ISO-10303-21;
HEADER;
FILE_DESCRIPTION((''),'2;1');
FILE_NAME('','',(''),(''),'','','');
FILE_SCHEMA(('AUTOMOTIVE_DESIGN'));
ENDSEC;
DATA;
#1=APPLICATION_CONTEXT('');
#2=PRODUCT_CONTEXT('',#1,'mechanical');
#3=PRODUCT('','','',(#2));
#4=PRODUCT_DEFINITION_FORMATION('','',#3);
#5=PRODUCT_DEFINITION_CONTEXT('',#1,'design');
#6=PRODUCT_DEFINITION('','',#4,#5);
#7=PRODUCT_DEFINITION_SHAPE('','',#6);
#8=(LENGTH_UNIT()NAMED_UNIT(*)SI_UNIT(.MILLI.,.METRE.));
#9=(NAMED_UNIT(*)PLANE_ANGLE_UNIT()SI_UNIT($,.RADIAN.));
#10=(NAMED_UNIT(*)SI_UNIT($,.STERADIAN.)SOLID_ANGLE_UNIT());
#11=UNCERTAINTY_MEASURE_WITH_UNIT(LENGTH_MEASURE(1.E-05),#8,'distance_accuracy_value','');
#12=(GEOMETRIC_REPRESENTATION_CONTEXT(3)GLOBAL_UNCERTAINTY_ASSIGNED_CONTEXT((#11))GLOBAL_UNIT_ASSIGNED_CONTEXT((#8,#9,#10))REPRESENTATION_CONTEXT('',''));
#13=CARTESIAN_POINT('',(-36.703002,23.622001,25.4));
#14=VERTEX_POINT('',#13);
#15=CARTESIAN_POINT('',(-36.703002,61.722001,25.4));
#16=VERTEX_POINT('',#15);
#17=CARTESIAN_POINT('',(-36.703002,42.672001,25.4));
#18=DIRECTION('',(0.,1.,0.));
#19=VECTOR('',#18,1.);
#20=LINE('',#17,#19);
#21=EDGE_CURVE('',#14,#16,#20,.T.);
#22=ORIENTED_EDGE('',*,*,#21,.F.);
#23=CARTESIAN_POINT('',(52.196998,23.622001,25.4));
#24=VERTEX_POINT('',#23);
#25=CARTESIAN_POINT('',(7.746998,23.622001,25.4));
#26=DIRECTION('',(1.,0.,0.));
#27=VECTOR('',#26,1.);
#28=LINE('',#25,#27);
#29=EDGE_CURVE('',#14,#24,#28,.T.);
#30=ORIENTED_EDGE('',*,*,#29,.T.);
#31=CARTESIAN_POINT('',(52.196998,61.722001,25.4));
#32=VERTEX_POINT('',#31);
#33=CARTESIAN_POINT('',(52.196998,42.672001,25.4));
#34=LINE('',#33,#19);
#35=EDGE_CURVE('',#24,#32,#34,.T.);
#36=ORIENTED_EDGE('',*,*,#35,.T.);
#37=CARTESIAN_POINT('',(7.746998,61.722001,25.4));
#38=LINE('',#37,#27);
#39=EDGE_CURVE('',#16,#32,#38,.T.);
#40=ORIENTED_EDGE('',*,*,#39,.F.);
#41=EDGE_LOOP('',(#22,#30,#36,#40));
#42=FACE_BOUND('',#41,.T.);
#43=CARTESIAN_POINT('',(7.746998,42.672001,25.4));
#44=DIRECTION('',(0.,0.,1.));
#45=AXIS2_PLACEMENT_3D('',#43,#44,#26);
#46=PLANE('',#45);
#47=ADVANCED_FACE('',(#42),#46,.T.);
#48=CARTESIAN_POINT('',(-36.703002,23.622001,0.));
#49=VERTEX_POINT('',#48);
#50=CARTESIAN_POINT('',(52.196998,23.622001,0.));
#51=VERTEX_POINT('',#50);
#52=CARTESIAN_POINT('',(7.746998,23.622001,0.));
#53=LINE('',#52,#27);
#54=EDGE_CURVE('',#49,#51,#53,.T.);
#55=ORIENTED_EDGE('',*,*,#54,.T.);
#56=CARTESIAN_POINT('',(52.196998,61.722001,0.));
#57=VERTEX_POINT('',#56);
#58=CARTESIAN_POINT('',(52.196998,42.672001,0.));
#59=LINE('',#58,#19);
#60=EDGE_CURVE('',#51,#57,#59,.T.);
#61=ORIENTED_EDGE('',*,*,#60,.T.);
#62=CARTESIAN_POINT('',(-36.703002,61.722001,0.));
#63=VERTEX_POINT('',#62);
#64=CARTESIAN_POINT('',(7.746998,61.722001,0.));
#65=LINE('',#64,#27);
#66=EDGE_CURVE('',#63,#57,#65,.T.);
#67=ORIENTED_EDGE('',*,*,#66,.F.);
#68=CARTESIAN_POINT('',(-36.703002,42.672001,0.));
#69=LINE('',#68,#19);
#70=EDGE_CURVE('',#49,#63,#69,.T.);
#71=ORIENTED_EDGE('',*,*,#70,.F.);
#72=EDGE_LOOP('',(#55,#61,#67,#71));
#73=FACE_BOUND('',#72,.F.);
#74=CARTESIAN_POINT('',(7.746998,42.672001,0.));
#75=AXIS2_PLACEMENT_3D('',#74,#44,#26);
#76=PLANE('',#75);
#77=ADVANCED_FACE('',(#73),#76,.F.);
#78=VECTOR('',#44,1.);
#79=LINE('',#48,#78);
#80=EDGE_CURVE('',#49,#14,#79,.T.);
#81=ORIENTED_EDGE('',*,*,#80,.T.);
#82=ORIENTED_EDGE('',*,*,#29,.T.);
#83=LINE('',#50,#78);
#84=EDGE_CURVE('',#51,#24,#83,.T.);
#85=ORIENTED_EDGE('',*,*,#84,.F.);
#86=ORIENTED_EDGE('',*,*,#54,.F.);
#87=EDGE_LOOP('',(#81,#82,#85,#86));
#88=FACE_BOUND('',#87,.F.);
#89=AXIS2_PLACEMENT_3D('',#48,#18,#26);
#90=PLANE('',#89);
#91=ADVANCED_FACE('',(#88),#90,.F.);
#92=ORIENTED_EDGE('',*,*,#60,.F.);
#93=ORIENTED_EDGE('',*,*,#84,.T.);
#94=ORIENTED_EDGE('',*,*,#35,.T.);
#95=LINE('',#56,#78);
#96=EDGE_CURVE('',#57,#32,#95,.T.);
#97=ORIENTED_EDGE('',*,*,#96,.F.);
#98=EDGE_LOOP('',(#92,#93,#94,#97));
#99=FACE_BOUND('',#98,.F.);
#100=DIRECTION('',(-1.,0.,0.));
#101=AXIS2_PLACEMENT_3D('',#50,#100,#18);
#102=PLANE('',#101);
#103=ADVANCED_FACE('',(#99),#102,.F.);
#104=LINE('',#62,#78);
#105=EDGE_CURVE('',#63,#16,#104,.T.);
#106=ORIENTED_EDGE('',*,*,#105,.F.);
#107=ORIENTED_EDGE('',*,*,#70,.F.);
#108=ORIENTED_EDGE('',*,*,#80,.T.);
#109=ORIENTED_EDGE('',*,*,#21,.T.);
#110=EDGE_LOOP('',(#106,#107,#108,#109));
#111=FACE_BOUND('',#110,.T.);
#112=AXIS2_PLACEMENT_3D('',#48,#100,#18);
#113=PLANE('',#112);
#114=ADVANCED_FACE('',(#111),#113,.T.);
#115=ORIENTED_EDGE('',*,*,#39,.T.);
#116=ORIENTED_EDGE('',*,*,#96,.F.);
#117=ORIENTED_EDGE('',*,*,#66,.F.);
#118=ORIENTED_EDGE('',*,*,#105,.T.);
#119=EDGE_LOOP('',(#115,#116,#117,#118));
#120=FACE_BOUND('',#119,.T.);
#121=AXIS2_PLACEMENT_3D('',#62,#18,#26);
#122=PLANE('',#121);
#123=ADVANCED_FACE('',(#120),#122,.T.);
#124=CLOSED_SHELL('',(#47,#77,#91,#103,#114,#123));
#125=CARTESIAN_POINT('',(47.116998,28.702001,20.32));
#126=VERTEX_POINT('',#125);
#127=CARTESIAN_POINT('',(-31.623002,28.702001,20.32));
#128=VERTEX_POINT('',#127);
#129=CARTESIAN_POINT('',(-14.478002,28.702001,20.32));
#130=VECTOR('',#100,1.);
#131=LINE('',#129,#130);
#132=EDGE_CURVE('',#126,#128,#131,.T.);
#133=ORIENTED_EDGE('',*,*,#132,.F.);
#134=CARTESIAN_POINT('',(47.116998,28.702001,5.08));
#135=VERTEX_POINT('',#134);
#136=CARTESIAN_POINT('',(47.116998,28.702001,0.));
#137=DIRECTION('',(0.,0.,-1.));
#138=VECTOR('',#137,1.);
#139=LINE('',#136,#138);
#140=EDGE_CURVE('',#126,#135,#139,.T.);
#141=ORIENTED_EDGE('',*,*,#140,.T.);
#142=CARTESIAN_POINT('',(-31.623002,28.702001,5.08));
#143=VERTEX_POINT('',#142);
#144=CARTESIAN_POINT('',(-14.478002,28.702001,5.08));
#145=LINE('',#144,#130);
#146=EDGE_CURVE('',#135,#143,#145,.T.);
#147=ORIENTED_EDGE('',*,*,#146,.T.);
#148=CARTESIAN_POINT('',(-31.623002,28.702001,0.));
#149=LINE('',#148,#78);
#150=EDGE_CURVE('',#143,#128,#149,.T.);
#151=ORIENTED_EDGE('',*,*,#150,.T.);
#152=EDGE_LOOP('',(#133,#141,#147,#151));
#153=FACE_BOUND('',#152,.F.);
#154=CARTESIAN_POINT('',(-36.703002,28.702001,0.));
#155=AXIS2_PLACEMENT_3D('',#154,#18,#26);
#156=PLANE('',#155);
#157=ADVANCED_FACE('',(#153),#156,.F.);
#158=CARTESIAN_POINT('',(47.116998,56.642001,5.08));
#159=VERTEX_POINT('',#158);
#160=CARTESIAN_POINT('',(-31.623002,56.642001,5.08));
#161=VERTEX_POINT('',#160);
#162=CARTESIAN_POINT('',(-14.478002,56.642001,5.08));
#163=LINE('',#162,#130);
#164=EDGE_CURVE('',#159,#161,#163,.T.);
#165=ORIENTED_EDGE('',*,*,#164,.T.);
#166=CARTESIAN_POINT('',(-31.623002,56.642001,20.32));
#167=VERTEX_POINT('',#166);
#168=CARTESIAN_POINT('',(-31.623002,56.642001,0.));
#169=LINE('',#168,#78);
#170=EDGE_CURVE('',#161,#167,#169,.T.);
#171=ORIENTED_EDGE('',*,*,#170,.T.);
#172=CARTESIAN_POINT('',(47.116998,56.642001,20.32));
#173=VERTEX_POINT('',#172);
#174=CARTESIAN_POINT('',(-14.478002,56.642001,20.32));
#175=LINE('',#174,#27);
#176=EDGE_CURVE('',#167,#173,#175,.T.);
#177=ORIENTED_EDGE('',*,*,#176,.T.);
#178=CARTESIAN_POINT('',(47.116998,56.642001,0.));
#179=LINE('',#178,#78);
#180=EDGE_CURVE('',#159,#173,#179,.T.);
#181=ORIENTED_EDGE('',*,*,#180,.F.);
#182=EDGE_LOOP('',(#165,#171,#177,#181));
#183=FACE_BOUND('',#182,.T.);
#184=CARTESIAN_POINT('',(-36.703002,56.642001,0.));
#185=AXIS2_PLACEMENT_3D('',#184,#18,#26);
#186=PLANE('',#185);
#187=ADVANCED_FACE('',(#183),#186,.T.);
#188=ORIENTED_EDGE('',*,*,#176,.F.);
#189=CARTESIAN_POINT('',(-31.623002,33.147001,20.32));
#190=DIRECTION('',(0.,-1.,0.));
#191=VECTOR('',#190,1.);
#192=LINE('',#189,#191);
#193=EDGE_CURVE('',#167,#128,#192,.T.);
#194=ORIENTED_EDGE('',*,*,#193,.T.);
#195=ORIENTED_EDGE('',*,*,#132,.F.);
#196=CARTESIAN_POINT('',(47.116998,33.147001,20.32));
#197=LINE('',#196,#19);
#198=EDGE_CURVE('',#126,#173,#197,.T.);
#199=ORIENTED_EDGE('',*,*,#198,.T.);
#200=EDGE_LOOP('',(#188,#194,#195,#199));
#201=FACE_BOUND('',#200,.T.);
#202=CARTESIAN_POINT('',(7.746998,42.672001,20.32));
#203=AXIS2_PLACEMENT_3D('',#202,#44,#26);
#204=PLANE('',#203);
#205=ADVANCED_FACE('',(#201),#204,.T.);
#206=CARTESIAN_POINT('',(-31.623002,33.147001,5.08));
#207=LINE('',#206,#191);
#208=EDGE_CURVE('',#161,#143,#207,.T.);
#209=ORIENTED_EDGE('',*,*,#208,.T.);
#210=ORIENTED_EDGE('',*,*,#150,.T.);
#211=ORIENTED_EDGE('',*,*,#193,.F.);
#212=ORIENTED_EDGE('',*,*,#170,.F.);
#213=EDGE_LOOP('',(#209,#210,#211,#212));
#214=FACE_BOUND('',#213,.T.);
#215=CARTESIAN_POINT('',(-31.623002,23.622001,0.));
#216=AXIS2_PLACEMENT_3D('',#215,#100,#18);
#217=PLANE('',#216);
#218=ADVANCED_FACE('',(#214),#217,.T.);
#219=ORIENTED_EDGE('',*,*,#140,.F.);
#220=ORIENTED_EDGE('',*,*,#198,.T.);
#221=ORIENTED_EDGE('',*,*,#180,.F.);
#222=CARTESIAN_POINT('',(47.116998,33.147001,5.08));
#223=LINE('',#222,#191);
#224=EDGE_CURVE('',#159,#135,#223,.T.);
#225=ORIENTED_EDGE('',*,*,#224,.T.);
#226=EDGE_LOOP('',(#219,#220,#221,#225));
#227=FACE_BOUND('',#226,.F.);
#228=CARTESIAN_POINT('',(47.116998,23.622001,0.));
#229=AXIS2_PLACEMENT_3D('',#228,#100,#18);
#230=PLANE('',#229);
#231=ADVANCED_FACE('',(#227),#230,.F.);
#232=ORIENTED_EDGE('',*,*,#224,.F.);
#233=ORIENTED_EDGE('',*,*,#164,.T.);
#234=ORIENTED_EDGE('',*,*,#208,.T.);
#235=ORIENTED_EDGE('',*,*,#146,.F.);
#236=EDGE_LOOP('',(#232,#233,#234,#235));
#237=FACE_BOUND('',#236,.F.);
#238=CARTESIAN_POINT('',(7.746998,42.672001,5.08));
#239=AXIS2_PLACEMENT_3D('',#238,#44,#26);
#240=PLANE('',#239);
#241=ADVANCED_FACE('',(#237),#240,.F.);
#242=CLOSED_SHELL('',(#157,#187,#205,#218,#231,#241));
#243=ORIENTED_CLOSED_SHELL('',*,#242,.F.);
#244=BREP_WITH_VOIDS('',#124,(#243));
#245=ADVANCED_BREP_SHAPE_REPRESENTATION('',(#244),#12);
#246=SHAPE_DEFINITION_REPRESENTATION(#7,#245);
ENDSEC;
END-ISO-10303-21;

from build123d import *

# Parameters (mm, degrees)
F0_W     = 88.9
F0_H     = 38.1
F1_DEPTH = 25.4
F2_T     = -5.08


with BuildPart() as f1:
    # F0 (on Top) → F1 (new body)
    with BuildSketch(Plane.XY):
        with Locations((7.7469982922, 42.67200059)):
            Rectangle(F0_W, F0_H)
    extrude(amount=F1_DEPTH)

    # F2 (hollow: no face is removed)
    offset(amount=F2_T, mode=Mode.SUBTRACT)


solid = f1.part
